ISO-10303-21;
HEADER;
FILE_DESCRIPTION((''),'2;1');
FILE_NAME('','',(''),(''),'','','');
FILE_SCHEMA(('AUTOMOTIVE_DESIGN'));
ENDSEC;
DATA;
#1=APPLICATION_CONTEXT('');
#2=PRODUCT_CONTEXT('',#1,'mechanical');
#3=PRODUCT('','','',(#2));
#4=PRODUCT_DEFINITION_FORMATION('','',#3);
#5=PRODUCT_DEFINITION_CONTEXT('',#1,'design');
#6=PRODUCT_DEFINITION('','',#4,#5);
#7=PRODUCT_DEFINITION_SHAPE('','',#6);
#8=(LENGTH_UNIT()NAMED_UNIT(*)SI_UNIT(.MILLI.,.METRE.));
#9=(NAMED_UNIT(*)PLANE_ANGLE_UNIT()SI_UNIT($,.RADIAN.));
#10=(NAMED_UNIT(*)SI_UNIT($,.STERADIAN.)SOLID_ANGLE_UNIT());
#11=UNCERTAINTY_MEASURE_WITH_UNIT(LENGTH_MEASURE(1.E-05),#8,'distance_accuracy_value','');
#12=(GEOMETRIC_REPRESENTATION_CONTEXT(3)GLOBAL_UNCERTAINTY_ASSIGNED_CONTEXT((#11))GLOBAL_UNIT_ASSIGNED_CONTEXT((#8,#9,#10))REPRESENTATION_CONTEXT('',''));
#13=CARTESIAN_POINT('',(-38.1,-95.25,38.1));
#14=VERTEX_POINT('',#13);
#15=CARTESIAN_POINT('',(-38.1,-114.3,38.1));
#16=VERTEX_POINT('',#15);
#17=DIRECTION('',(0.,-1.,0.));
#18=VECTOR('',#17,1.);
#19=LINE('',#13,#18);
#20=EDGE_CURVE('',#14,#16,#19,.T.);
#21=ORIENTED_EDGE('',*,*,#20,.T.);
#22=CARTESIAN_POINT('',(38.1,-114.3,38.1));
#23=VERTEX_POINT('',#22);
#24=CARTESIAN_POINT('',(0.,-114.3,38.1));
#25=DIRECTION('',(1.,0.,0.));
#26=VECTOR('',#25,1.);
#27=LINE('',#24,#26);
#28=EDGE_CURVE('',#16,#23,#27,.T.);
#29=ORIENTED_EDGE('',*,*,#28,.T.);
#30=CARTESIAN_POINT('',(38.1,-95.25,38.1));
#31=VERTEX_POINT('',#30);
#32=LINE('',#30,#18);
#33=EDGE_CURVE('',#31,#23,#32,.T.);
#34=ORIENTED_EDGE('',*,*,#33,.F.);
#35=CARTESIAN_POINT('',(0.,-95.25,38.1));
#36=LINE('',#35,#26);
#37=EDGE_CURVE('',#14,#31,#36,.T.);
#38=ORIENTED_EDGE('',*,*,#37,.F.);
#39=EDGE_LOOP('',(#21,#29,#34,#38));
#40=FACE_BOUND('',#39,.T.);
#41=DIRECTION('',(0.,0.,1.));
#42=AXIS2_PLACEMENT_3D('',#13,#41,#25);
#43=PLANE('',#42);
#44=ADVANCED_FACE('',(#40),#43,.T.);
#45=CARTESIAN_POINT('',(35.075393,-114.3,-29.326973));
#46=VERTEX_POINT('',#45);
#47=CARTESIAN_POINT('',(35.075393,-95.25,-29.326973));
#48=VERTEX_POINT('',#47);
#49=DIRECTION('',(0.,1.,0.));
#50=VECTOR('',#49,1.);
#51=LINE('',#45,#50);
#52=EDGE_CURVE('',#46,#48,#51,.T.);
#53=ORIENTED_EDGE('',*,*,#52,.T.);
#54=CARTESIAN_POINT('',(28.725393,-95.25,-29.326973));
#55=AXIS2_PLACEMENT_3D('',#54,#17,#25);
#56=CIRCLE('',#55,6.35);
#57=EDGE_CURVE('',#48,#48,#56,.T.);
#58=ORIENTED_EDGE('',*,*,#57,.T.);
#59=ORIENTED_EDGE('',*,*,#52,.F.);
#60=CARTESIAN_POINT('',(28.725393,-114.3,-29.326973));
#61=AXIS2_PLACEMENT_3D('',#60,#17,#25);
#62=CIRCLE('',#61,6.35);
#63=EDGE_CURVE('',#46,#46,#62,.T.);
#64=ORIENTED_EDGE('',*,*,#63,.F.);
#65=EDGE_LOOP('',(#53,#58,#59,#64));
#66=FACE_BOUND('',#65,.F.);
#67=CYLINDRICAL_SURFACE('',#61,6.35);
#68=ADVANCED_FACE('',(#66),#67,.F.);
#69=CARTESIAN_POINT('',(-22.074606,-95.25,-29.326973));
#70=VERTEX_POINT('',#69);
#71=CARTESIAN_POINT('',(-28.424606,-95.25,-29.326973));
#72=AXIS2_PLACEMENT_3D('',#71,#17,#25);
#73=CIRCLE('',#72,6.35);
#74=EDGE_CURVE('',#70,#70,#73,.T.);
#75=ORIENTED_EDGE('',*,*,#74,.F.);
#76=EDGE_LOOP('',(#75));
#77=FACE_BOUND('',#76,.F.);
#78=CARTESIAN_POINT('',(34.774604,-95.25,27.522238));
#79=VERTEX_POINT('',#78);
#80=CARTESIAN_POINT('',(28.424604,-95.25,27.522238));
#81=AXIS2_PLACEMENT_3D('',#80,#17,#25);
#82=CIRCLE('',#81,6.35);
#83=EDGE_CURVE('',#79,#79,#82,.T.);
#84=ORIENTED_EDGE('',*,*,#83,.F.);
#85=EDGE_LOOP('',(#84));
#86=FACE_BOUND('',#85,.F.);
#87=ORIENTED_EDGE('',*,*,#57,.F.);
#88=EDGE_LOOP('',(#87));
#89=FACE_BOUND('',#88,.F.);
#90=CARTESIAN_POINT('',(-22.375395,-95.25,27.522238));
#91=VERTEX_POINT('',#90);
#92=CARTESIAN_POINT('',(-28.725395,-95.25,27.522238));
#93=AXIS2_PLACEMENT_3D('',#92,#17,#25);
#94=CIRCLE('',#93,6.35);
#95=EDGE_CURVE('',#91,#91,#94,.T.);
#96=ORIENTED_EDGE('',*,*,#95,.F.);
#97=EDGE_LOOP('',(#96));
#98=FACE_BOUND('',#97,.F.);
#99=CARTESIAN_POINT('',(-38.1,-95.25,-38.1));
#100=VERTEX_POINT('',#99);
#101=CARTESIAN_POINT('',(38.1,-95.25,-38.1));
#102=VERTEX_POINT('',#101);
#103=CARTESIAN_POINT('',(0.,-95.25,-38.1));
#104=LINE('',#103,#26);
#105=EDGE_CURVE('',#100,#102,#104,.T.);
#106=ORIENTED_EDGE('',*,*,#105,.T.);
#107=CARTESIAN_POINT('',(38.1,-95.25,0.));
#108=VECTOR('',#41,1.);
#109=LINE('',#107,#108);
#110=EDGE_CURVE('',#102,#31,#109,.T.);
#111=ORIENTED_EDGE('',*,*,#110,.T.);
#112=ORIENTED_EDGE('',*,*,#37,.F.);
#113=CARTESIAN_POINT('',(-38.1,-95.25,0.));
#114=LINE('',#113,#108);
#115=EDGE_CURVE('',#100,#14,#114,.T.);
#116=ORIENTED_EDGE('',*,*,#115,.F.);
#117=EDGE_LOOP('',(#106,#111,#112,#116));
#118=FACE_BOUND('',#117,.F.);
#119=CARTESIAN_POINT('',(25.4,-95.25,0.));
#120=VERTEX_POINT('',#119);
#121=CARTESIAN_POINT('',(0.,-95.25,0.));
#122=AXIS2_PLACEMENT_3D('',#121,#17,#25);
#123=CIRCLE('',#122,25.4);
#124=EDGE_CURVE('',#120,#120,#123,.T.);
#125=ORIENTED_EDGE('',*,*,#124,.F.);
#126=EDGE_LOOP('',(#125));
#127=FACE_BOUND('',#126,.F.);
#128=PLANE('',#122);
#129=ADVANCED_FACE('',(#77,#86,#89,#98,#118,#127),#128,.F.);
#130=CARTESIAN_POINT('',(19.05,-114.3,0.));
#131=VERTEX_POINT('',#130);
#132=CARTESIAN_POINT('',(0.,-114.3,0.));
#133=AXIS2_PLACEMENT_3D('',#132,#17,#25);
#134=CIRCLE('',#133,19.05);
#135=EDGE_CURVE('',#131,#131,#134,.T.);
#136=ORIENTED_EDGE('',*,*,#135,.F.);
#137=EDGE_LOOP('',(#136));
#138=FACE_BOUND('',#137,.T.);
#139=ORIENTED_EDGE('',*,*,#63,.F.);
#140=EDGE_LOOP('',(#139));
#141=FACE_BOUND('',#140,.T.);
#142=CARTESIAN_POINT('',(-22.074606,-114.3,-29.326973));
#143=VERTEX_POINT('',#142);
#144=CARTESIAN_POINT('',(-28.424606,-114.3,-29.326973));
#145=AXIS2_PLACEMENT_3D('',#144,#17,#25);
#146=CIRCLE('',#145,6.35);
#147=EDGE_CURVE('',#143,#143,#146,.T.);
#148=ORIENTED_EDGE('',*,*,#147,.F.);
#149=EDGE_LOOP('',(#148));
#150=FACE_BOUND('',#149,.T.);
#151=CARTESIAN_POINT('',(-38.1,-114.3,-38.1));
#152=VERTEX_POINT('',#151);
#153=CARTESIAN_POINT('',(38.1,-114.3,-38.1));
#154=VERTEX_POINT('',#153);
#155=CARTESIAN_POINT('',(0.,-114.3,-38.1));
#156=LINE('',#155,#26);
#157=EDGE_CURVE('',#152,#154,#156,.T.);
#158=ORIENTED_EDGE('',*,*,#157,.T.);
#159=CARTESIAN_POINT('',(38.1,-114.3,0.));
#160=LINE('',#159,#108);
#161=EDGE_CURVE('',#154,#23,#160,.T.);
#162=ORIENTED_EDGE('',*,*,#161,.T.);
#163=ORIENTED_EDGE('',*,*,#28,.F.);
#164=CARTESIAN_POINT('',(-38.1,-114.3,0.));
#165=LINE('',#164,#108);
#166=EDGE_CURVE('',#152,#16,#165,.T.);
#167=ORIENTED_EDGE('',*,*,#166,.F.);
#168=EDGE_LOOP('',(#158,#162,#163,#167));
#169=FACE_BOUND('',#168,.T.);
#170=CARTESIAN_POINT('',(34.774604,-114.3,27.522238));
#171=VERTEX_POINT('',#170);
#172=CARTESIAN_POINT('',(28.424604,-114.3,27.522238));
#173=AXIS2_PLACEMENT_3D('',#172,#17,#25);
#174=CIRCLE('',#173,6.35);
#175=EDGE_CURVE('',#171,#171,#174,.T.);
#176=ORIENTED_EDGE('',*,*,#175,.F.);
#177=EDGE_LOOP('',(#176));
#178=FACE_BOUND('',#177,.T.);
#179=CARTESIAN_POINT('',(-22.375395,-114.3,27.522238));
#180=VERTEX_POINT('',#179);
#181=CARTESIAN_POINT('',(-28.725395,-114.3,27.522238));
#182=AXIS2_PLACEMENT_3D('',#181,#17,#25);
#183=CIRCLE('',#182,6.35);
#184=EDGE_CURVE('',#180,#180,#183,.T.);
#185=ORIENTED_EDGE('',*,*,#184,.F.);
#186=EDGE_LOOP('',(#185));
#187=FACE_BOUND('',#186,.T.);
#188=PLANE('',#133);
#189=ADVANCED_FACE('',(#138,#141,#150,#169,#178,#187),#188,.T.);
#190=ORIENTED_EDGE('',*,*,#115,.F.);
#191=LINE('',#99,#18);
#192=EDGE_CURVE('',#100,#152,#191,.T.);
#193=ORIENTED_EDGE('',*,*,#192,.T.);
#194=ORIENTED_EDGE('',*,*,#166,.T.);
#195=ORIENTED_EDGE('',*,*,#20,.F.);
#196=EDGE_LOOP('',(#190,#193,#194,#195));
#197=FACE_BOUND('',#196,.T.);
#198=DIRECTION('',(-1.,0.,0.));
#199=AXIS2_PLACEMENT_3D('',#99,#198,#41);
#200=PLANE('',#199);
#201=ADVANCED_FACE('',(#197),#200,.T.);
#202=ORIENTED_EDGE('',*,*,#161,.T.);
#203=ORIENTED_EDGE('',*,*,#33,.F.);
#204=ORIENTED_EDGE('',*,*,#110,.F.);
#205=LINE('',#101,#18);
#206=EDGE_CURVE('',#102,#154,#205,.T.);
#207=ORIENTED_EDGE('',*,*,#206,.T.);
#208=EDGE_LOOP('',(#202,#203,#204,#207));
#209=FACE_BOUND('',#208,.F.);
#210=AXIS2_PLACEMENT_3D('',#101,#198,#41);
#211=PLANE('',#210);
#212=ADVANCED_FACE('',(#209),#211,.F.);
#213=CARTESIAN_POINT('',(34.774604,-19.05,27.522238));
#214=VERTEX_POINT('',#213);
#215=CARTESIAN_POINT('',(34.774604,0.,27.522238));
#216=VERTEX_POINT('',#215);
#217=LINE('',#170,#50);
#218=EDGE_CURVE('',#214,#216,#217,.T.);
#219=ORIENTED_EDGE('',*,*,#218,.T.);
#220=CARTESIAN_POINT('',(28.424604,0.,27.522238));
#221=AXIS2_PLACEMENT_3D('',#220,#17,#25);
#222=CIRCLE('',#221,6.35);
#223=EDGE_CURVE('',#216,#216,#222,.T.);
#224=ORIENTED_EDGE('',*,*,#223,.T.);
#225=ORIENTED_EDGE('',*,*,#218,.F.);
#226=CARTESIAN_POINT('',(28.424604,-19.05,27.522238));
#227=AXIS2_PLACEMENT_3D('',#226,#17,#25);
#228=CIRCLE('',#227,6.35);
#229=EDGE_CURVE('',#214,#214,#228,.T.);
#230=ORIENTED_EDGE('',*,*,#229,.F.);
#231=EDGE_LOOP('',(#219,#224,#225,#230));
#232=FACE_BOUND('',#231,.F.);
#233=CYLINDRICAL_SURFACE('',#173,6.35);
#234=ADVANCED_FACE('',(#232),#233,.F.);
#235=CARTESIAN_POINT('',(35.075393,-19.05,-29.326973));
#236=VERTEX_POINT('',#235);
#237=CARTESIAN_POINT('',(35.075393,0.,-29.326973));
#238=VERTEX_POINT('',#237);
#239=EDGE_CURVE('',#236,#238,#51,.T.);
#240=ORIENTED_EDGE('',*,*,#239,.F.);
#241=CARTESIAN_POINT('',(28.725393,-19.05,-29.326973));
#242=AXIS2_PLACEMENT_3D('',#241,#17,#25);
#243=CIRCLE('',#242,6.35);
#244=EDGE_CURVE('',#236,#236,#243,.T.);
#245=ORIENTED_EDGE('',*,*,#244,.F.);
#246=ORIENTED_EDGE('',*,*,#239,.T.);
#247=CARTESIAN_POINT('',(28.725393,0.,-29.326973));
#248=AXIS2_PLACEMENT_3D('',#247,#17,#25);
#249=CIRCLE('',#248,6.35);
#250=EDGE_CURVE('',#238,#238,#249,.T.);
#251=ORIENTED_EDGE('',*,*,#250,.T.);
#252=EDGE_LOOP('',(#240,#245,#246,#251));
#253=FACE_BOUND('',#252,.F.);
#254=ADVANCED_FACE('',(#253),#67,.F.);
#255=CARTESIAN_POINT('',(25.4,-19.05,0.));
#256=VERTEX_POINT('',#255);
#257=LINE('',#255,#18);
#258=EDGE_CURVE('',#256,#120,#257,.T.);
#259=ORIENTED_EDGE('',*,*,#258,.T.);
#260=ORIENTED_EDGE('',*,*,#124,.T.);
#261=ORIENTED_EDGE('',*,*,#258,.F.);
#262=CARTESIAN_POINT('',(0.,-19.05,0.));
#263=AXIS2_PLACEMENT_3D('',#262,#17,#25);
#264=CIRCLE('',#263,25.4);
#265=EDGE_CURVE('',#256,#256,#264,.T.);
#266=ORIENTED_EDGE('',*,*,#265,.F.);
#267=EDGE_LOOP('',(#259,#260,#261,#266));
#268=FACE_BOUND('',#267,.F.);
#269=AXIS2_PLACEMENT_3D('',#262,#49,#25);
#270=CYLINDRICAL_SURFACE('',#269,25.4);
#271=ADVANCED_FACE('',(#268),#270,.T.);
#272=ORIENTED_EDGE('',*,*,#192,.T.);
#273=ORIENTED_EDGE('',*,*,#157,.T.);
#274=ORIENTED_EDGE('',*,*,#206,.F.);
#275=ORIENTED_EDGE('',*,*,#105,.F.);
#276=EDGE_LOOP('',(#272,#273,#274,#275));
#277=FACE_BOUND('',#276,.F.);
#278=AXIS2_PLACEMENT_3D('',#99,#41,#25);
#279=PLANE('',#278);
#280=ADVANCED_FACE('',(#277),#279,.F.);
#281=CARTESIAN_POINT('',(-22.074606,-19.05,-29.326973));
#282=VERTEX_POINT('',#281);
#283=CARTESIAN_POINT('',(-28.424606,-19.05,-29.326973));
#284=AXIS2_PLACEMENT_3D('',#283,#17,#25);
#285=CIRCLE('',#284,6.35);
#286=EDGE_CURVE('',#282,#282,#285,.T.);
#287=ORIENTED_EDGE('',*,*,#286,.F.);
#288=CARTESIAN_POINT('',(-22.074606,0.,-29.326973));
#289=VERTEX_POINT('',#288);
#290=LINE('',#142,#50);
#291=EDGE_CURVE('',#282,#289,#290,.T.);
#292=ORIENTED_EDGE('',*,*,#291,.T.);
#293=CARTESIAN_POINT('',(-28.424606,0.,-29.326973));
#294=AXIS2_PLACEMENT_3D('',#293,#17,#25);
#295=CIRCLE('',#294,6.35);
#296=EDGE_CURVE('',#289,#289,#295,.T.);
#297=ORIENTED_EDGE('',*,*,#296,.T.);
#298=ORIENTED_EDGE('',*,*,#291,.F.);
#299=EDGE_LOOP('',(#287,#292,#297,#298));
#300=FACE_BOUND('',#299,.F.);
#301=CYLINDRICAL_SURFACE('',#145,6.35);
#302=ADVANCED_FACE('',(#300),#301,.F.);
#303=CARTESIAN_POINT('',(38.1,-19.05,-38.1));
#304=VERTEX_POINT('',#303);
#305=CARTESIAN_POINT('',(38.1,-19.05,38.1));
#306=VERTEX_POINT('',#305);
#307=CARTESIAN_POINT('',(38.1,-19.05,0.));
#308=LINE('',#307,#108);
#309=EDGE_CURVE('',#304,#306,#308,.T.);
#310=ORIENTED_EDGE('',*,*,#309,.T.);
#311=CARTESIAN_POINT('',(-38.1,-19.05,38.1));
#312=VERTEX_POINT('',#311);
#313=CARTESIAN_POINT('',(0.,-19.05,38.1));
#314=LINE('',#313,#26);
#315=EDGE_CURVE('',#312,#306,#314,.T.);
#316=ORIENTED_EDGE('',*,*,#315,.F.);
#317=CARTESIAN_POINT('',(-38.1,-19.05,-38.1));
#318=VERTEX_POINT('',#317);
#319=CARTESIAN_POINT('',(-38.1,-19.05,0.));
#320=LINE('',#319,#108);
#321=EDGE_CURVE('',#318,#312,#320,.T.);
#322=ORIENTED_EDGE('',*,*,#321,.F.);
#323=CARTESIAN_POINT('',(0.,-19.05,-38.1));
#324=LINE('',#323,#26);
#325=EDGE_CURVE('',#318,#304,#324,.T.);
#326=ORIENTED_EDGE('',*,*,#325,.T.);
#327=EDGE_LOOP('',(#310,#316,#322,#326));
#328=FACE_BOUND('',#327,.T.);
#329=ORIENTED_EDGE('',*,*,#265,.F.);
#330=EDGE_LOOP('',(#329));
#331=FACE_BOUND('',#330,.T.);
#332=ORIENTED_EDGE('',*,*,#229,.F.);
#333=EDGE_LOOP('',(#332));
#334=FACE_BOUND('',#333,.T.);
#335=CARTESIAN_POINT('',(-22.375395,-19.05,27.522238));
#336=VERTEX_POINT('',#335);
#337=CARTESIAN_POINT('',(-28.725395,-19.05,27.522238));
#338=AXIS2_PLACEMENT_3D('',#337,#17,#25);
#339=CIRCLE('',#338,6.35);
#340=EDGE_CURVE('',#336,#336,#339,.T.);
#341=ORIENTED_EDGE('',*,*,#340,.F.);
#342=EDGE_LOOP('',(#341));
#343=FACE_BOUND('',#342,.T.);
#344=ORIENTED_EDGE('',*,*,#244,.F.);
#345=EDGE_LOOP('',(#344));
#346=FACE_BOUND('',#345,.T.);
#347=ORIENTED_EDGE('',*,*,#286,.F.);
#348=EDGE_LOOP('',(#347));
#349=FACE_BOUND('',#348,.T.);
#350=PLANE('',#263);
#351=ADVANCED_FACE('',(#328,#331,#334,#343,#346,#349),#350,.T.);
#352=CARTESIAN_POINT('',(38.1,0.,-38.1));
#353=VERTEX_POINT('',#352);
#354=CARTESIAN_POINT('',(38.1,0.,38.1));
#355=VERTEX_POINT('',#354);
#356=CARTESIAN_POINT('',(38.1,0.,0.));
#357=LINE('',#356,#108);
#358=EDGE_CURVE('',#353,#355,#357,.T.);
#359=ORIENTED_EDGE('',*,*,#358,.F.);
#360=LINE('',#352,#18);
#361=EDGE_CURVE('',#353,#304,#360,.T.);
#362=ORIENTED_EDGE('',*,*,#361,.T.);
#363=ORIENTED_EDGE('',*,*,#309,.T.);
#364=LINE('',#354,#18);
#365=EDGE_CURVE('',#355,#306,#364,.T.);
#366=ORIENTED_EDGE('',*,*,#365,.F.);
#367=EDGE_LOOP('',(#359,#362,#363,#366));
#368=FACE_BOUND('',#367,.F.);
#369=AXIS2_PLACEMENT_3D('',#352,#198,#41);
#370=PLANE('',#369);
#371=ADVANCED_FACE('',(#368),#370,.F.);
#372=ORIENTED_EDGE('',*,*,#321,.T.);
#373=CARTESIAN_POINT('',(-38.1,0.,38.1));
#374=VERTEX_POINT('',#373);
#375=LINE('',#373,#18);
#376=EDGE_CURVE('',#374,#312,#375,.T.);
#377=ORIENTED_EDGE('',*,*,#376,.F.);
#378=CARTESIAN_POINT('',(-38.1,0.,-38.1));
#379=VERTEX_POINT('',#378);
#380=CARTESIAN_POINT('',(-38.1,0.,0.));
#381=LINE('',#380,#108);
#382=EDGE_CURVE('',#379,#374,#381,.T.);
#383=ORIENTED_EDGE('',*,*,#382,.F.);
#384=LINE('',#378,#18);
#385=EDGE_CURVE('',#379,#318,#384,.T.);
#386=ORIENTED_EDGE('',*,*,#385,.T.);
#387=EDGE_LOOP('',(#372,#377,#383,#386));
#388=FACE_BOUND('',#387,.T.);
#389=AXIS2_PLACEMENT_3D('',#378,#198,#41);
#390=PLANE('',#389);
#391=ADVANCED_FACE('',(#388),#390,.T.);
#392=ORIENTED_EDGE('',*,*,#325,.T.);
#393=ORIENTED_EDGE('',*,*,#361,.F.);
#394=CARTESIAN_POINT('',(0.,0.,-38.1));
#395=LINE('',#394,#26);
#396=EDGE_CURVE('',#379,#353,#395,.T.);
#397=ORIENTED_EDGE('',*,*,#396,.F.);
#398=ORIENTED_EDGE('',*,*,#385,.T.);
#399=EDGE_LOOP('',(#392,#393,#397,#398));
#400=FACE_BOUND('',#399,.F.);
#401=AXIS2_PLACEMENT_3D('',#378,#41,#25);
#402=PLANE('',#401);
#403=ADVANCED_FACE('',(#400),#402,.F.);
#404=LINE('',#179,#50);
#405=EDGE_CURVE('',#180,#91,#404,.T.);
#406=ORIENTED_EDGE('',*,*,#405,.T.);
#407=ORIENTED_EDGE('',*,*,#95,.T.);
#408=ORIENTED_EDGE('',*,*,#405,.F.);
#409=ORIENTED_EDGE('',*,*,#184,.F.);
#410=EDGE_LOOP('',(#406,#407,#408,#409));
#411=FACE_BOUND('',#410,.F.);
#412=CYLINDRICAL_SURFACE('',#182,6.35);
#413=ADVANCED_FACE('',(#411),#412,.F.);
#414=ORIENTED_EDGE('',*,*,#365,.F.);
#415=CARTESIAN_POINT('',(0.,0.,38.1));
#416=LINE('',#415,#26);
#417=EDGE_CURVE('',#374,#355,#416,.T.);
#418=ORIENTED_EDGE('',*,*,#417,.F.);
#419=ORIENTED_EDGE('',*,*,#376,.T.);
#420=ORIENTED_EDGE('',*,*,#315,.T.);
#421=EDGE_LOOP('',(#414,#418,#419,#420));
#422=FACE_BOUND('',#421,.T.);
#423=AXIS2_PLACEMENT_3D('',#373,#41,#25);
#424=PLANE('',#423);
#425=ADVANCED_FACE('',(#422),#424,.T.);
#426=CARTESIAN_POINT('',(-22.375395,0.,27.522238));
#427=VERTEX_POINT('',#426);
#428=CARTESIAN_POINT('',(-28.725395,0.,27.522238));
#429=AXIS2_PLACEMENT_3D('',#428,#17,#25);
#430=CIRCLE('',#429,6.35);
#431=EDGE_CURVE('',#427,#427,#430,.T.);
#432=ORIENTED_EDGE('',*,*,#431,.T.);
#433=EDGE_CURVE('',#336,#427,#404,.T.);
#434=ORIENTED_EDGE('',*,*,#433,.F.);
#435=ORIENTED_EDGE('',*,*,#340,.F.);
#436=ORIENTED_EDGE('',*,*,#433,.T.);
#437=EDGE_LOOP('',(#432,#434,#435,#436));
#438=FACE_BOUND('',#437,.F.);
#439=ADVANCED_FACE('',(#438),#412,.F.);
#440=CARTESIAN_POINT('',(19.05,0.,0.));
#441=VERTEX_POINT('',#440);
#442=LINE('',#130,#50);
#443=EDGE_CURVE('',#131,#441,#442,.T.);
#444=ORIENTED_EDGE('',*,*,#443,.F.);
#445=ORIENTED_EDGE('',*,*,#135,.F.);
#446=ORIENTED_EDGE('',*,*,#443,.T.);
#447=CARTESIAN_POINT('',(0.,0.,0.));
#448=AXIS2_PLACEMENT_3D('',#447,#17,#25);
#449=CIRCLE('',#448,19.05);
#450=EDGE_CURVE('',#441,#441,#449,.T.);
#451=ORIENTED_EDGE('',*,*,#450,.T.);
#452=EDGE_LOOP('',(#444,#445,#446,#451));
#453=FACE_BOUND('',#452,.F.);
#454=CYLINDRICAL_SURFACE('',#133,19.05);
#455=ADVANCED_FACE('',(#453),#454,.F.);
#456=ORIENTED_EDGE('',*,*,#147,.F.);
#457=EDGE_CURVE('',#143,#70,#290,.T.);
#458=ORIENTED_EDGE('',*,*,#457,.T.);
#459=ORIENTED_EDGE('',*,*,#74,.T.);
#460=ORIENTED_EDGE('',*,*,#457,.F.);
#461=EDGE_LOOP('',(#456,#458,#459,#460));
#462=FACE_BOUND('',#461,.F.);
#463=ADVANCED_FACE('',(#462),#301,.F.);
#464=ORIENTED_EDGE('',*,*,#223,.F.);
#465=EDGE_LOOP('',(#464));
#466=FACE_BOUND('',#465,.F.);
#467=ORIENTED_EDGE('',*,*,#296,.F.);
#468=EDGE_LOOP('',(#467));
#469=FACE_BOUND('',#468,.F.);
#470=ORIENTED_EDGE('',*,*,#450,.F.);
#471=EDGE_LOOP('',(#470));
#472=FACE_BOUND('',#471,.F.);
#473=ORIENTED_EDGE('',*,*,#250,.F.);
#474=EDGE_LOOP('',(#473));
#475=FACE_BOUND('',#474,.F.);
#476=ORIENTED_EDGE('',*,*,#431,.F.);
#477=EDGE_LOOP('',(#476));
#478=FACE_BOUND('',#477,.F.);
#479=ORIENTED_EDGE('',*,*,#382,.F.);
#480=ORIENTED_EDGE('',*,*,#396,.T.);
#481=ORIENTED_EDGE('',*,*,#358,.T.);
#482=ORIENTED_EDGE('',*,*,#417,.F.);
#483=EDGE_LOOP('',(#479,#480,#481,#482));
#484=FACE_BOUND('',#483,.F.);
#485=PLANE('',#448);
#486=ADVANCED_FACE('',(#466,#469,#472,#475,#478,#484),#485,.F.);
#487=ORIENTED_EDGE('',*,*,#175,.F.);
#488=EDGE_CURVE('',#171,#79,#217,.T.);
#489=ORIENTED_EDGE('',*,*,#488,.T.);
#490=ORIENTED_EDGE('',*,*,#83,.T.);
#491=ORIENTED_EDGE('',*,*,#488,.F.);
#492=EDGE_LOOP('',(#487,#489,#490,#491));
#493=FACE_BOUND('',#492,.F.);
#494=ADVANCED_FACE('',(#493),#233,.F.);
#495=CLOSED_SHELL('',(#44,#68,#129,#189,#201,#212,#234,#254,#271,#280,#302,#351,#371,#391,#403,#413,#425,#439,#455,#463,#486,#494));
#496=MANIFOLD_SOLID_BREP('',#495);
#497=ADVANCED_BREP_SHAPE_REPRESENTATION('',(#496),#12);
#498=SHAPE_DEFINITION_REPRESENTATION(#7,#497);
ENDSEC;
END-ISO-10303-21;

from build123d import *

# Parameters (mm, degrees)
F0_W      = 76.2
F0_H      = 76.2
F1_DEPTH  = 19.05
F2_R      = 25.4
F3_DEPTH  = 76.2
F4_W      = 76.2
F4_H      = 76.2
F5_DEPTH  = 19.05
F6_R      = 19.05
F8_DEPTH  = 114.3
F9_R      = 6.35
F10_DEPTH = 114.3


with BuildPart() as f1:
    # F0 (on Front) → F1 (new body)
    with BuildSketch(Plane.XZ):
        Rectangle(F0_W, F0_H)
    extrude(amount=F1_DEPTH)

    # F2 (on face) → F3 (join)
    with BuildSketch(Plane.XZ.offset(19.05)):
        Circle(F2_R)
    extrude(amount=F3_DEPTH)

    # F4 (on face) → F5 (join)
    with BuildSketch(Plane.XZ.offset(95.25)):
        Rectangle(F4_W, F4_H)
    extrude(amount=F5_DEPTH)

    # F6 (on face) → F8 (cut)
    with BuildSketch(Plane.XZ.offset(114.3)):
        Circle(F6_R)
    extrude(amount=-F8_DEPTH, mode=Mode.SUBTRACT)

    # F9 (on face) → F10 (cut)
    with BuildSketch(Plane.XZ.offset(114.3)):
        with Locations((-28.725395, 27.522238)):
            Circle(F9_R)
        with Locations((-28.424606, -29.326973)):
            Circle(F9_R)
        with Locations((28.725393, -29.326973)):
            Circle(F9_R)
        with Locations((28.424604, 27.522238)):
            Circle(F9_R)
    extrude(amount=-F10_DEPTH, mode=Mode.SUBTRACT)


solid = f1.part
